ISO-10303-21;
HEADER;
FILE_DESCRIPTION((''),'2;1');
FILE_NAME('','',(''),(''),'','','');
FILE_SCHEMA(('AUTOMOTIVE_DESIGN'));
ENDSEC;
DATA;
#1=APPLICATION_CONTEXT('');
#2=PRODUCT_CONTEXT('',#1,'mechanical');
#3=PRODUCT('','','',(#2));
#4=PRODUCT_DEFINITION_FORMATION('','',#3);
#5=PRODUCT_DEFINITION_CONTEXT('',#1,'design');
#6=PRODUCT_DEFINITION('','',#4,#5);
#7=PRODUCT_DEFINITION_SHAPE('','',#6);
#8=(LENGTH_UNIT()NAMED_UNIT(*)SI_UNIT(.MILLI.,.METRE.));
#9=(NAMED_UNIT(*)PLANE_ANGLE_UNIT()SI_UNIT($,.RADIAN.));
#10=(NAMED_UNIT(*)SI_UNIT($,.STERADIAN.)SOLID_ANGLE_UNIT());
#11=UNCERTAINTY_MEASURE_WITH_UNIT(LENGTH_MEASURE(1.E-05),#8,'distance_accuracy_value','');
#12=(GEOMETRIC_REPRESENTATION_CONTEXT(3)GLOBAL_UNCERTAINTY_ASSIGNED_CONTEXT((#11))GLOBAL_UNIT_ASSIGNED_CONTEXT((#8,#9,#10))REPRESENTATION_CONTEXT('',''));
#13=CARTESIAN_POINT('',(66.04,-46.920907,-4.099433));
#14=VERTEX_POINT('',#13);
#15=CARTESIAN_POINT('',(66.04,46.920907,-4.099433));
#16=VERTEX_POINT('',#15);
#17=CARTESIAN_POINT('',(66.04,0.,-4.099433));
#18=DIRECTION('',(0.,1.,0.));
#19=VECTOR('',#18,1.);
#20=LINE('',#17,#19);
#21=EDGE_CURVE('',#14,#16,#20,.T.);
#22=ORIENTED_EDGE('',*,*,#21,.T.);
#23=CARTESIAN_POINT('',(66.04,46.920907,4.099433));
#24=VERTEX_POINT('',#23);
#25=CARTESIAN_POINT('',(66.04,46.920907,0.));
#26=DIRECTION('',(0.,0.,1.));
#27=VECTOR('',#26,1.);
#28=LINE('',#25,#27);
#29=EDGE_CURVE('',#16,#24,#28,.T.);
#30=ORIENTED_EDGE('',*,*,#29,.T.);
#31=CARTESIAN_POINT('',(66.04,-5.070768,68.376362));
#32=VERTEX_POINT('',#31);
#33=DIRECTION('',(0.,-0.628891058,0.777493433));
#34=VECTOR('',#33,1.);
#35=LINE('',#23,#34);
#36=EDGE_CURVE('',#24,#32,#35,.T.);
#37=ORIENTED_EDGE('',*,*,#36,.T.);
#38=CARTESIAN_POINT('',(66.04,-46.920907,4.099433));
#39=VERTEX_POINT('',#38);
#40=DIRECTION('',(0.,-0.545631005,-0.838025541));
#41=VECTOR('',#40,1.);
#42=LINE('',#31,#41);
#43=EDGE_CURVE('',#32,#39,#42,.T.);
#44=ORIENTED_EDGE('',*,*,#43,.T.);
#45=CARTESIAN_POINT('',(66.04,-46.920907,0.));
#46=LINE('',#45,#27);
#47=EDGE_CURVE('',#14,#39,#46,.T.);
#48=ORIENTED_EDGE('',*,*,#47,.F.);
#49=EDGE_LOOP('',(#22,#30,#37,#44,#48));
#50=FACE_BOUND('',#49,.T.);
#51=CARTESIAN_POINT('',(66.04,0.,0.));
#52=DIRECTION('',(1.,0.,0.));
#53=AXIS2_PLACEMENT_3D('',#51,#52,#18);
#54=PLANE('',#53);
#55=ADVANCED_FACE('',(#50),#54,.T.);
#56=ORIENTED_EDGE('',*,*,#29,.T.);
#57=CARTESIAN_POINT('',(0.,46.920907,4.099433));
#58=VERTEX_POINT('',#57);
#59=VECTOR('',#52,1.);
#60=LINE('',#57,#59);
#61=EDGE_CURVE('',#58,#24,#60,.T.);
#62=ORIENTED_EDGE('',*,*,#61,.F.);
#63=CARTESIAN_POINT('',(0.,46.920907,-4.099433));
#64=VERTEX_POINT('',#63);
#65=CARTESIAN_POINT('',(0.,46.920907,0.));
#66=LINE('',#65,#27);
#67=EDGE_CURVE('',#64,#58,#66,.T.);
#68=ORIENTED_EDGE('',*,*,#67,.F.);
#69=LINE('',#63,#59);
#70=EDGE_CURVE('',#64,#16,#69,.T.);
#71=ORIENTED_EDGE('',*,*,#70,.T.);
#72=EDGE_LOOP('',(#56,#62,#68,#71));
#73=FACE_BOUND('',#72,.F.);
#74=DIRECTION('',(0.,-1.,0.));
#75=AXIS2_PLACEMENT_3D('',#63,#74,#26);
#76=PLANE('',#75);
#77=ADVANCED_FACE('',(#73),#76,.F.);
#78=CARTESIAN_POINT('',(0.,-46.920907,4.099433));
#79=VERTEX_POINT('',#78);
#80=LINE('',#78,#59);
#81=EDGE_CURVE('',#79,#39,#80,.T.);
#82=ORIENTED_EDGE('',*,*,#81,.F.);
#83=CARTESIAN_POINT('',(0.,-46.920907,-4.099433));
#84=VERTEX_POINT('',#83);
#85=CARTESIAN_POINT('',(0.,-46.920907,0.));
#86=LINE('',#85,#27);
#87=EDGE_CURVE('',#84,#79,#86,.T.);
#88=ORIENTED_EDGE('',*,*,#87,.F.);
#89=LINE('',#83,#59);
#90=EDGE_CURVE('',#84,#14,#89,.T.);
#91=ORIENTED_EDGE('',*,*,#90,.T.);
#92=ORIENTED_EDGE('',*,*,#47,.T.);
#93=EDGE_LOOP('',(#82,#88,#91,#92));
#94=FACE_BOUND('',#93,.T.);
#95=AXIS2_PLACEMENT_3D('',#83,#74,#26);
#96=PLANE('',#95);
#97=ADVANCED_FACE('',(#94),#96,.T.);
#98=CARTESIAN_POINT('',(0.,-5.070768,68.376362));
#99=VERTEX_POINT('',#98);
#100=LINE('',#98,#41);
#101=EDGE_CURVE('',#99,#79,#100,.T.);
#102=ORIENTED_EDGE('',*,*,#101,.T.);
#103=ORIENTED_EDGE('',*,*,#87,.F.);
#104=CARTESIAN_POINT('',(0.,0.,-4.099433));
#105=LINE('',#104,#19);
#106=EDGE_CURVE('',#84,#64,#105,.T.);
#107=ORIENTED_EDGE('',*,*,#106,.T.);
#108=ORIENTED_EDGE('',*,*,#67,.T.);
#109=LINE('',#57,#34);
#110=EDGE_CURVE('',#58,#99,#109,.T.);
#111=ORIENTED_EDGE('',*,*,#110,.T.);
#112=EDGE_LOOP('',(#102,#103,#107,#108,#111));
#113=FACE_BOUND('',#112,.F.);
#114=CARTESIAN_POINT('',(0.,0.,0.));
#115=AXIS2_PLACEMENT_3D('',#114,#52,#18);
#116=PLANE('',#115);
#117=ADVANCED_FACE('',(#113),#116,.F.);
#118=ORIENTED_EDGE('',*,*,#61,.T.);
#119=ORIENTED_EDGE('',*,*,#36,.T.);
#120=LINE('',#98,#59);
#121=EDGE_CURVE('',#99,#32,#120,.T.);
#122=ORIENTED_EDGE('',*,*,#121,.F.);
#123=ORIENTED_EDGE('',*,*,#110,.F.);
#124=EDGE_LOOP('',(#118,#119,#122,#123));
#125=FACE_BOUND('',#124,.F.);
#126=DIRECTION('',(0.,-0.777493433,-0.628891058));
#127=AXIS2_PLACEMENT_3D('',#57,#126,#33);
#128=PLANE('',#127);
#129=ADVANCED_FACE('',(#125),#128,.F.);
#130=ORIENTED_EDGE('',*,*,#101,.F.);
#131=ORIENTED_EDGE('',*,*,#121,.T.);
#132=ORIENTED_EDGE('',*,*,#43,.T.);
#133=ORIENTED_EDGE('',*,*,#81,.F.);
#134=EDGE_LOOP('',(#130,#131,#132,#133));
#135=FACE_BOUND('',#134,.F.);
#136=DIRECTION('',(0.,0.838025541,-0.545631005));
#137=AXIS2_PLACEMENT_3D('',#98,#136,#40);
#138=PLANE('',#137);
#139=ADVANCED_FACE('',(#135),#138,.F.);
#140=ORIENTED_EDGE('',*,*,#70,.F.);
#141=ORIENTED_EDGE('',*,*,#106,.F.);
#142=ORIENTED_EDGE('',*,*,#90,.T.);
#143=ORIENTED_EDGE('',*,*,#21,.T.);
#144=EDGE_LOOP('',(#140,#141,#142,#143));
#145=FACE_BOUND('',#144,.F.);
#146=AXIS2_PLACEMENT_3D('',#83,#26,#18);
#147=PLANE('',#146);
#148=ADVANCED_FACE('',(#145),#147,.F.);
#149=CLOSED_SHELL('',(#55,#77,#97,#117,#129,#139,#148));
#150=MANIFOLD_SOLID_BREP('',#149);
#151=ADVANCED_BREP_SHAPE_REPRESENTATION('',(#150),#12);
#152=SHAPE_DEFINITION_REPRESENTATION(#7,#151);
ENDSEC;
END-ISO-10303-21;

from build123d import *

# Parameters (mm, degrees)
F0_W     = 93.841814
F0_H     = 8.198866
F1_DEPTH = 66.04


with BuildPart() as f1:
    # F0 (on Right) → F1 (new body)
    with BuildSketch(Plane.YZ):
        Rectangle(F0_W, F0_H)
        Polygon((-46.920907, 4.099433), (46.920907, 4.099433), (-5.070768, 68.376362), align=None)
    extrude(amount=F1_DEPTH)


solid = f1.part
